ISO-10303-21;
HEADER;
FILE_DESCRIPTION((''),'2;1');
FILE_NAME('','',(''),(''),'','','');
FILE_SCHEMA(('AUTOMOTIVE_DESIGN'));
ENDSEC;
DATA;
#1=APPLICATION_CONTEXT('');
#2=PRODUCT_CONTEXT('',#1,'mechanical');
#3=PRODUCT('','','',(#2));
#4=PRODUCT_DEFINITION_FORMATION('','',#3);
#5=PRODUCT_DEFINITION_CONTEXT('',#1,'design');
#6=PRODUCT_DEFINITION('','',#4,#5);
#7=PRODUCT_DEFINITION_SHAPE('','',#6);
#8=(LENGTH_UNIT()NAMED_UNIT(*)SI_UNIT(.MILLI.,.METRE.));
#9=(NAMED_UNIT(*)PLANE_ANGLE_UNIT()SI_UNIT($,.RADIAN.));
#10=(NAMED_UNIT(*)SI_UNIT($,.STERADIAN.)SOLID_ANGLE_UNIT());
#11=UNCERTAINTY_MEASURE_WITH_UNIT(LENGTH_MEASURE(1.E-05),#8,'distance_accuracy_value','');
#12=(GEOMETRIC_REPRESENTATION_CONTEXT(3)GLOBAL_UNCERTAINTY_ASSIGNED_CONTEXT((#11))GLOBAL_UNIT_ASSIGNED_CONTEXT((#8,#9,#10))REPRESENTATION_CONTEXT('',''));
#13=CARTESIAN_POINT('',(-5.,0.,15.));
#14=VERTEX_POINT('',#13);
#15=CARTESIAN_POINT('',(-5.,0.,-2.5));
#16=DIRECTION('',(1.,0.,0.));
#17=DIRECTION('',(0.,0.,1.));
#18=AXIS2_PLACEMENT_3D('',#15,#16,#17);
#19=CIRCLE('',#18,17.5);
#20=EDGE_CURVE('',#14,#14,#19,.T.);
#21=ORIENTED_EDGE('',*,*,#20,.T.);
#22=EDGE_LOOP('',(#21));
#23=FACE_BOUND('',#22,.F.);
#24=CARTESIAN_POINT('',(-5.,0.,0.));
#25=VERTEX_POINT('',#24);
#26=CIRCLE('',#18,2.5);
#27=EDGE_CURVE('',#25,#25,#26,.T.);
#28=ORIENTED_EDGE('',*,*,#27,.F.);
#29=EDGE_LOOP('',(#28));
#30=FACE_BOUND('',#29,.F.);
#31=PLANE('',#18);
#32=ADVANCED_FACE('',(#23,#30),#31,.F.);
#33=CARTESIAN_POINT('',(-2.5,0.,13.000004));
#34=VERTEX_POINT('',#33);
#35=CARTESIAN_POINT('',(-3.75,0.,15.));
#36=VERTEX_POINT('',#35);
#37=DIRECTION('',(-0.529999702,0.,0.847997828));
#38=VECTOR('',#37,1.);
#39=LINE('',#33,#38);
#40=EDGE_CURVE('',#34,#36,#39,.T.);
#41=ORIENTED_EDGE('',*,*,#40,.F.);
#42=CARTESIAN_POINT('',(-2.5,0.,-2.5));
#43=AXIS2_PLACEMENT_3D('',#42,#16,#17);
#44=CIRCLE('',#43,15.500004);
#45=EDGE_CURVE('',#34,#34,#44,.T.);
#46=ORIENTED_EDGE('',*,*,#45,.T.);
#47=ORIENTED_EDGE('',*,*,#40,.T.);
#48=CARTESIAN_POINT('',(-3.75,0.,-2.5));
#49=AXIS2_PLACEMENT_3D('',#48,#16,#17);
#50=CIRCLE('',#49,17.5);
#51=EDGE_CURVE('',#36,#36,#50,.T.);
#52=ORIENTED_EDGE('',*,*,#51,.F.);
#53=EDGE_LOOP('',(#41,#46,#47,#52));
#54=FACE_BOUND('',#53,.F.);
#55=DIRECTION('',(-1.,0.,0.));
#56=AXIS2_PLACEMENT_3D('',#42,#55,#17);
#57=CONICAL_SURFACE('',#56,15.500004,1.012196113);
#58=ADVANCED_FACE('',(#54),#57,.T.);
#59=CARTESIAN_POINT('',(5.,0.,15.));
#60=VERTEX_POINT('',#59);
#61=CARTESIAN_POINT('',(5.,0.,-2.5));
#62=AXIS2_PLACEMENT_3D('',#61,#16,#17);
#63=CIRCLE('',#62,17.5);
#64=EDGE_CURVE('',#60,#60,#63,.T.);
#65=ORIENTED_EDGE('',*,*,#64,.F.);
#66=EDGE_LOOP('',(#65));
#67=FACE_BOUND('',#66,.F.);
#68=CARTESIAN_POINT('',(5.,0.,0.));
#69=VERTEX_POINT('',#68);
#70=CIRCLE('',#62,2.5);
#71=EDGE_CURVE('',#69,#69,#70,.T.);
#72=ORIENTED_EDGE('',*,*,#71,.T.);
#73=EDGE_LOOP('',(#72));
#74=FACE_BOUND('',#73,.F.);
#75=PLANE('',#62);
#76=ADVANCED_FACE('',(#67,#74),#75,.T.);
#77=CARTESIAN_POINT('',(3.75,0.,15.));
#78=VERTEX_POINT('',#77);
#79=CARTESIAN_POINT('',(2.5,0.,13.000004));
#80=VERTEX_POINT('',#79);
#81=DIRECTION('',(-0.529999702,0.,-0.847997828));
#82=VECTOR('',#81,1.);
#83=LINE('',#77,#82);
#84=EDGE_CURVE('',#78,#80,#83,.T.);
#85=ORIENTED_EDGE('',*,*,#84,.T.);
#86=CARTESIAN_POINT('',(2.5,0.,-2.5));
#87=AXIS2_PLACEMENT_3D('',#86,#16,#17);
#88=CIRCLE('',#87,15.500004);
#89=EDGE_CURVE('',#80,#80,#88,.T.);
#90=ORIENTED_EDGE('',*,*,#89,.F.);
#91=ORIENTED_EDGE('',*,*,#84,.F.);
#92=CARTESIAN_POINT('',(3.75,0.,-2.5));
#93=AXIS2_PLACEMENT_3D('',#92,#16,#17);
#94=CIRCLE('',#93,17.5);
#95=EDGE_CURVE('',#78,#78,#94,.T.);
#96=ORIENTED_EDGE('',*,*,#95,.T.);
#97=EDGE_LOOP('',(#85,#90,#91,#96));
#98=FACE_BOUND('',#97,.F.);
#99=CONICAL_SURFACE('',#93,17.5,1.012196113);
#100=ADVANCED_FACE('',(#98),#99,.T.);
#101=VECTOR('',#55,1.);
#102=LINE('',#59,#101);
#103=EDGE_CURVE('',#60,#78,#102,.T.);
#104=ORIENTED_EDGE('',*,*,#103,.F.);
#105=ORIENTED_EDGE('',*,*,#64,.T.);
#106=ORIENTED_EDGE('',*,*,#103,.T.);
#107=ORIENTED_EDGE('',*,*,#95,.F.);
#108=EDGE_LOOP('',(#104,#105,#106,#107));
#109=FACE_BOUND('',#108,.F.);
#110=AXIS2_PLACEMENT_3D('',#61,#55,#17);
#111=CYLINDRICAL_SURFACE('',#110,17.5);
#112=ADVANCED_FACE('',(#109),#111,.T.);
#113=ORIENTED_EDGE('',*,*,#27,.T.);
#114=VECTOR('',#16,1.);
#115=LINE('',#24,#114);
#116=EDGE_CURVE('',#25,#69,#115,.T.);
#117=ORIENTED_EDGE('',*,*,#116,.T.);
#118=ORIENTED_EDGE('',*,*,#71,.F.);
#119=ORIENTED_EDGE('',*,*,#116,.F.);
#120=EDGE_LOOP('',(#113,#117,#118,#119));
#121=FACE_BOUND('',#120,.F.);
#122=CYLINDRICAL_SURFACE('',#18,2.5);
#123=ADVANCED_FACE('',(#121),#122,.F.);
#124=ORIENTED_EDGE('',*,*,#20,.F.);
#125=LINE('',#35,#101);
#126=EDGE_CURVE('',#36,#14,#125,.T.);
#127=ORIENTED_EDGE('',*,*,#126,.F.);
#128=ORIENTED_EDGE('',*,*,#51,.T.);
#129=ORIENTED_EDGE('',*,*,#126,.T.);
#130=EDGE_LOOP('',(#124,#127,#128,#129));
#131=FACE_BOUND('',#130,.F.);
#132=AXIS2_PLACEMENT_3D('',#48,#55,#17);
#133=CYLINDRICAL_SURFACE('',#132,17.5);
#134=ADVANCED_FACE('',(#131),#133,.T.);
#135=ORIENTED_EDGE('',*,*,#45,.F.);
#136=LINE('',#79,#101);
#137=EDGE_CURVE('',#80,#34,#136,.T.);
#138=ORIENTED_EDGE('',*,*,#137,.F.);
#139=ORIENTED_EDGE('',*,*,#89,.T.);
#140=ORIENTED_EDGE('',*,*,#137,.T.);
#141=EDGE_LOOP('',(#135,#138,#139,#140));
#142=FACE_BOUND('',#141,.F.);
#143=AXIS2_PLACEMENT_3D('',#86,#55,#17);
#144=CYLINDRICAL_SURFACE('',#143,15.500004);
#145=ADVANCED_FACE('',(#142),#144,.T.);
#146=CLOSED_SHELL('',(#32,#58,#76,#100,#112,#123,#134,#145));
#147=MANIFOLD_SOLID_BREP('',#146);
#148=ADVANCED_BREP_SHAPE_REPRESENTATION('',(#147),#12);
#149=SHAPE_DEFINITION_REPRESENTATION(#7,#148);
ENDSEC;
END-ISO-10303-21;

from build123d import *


with BuildPart() as f1:
    # F0 (on Front) → F1 (revolve)
    with BuildSketch(Plane.XZ):
        Polygon((-5, 10), (-5, 5), (-2.5, 5), (2.5, 5), (5, 5), (5, 10), (2.5, 10), (-2.5, 10), align=None)
        Polygon((-5, 15), (-5, 10), (-2.5, 10), (2.5, 10), (5, 10), (5, 15), (3.75, 15), (2.5, 13.000004), (-2.5, 13.000004), (-3.75, 15), align=None)
        Polygon((-5, 5), (-5, 0), (5, 0), (5, 5), (2.5, 5), (-2.5, 5), align=None)
    revolve(axis=Axis((1.506495, 0, -2.5), (1, 0, 0)))


solid = f1.part
